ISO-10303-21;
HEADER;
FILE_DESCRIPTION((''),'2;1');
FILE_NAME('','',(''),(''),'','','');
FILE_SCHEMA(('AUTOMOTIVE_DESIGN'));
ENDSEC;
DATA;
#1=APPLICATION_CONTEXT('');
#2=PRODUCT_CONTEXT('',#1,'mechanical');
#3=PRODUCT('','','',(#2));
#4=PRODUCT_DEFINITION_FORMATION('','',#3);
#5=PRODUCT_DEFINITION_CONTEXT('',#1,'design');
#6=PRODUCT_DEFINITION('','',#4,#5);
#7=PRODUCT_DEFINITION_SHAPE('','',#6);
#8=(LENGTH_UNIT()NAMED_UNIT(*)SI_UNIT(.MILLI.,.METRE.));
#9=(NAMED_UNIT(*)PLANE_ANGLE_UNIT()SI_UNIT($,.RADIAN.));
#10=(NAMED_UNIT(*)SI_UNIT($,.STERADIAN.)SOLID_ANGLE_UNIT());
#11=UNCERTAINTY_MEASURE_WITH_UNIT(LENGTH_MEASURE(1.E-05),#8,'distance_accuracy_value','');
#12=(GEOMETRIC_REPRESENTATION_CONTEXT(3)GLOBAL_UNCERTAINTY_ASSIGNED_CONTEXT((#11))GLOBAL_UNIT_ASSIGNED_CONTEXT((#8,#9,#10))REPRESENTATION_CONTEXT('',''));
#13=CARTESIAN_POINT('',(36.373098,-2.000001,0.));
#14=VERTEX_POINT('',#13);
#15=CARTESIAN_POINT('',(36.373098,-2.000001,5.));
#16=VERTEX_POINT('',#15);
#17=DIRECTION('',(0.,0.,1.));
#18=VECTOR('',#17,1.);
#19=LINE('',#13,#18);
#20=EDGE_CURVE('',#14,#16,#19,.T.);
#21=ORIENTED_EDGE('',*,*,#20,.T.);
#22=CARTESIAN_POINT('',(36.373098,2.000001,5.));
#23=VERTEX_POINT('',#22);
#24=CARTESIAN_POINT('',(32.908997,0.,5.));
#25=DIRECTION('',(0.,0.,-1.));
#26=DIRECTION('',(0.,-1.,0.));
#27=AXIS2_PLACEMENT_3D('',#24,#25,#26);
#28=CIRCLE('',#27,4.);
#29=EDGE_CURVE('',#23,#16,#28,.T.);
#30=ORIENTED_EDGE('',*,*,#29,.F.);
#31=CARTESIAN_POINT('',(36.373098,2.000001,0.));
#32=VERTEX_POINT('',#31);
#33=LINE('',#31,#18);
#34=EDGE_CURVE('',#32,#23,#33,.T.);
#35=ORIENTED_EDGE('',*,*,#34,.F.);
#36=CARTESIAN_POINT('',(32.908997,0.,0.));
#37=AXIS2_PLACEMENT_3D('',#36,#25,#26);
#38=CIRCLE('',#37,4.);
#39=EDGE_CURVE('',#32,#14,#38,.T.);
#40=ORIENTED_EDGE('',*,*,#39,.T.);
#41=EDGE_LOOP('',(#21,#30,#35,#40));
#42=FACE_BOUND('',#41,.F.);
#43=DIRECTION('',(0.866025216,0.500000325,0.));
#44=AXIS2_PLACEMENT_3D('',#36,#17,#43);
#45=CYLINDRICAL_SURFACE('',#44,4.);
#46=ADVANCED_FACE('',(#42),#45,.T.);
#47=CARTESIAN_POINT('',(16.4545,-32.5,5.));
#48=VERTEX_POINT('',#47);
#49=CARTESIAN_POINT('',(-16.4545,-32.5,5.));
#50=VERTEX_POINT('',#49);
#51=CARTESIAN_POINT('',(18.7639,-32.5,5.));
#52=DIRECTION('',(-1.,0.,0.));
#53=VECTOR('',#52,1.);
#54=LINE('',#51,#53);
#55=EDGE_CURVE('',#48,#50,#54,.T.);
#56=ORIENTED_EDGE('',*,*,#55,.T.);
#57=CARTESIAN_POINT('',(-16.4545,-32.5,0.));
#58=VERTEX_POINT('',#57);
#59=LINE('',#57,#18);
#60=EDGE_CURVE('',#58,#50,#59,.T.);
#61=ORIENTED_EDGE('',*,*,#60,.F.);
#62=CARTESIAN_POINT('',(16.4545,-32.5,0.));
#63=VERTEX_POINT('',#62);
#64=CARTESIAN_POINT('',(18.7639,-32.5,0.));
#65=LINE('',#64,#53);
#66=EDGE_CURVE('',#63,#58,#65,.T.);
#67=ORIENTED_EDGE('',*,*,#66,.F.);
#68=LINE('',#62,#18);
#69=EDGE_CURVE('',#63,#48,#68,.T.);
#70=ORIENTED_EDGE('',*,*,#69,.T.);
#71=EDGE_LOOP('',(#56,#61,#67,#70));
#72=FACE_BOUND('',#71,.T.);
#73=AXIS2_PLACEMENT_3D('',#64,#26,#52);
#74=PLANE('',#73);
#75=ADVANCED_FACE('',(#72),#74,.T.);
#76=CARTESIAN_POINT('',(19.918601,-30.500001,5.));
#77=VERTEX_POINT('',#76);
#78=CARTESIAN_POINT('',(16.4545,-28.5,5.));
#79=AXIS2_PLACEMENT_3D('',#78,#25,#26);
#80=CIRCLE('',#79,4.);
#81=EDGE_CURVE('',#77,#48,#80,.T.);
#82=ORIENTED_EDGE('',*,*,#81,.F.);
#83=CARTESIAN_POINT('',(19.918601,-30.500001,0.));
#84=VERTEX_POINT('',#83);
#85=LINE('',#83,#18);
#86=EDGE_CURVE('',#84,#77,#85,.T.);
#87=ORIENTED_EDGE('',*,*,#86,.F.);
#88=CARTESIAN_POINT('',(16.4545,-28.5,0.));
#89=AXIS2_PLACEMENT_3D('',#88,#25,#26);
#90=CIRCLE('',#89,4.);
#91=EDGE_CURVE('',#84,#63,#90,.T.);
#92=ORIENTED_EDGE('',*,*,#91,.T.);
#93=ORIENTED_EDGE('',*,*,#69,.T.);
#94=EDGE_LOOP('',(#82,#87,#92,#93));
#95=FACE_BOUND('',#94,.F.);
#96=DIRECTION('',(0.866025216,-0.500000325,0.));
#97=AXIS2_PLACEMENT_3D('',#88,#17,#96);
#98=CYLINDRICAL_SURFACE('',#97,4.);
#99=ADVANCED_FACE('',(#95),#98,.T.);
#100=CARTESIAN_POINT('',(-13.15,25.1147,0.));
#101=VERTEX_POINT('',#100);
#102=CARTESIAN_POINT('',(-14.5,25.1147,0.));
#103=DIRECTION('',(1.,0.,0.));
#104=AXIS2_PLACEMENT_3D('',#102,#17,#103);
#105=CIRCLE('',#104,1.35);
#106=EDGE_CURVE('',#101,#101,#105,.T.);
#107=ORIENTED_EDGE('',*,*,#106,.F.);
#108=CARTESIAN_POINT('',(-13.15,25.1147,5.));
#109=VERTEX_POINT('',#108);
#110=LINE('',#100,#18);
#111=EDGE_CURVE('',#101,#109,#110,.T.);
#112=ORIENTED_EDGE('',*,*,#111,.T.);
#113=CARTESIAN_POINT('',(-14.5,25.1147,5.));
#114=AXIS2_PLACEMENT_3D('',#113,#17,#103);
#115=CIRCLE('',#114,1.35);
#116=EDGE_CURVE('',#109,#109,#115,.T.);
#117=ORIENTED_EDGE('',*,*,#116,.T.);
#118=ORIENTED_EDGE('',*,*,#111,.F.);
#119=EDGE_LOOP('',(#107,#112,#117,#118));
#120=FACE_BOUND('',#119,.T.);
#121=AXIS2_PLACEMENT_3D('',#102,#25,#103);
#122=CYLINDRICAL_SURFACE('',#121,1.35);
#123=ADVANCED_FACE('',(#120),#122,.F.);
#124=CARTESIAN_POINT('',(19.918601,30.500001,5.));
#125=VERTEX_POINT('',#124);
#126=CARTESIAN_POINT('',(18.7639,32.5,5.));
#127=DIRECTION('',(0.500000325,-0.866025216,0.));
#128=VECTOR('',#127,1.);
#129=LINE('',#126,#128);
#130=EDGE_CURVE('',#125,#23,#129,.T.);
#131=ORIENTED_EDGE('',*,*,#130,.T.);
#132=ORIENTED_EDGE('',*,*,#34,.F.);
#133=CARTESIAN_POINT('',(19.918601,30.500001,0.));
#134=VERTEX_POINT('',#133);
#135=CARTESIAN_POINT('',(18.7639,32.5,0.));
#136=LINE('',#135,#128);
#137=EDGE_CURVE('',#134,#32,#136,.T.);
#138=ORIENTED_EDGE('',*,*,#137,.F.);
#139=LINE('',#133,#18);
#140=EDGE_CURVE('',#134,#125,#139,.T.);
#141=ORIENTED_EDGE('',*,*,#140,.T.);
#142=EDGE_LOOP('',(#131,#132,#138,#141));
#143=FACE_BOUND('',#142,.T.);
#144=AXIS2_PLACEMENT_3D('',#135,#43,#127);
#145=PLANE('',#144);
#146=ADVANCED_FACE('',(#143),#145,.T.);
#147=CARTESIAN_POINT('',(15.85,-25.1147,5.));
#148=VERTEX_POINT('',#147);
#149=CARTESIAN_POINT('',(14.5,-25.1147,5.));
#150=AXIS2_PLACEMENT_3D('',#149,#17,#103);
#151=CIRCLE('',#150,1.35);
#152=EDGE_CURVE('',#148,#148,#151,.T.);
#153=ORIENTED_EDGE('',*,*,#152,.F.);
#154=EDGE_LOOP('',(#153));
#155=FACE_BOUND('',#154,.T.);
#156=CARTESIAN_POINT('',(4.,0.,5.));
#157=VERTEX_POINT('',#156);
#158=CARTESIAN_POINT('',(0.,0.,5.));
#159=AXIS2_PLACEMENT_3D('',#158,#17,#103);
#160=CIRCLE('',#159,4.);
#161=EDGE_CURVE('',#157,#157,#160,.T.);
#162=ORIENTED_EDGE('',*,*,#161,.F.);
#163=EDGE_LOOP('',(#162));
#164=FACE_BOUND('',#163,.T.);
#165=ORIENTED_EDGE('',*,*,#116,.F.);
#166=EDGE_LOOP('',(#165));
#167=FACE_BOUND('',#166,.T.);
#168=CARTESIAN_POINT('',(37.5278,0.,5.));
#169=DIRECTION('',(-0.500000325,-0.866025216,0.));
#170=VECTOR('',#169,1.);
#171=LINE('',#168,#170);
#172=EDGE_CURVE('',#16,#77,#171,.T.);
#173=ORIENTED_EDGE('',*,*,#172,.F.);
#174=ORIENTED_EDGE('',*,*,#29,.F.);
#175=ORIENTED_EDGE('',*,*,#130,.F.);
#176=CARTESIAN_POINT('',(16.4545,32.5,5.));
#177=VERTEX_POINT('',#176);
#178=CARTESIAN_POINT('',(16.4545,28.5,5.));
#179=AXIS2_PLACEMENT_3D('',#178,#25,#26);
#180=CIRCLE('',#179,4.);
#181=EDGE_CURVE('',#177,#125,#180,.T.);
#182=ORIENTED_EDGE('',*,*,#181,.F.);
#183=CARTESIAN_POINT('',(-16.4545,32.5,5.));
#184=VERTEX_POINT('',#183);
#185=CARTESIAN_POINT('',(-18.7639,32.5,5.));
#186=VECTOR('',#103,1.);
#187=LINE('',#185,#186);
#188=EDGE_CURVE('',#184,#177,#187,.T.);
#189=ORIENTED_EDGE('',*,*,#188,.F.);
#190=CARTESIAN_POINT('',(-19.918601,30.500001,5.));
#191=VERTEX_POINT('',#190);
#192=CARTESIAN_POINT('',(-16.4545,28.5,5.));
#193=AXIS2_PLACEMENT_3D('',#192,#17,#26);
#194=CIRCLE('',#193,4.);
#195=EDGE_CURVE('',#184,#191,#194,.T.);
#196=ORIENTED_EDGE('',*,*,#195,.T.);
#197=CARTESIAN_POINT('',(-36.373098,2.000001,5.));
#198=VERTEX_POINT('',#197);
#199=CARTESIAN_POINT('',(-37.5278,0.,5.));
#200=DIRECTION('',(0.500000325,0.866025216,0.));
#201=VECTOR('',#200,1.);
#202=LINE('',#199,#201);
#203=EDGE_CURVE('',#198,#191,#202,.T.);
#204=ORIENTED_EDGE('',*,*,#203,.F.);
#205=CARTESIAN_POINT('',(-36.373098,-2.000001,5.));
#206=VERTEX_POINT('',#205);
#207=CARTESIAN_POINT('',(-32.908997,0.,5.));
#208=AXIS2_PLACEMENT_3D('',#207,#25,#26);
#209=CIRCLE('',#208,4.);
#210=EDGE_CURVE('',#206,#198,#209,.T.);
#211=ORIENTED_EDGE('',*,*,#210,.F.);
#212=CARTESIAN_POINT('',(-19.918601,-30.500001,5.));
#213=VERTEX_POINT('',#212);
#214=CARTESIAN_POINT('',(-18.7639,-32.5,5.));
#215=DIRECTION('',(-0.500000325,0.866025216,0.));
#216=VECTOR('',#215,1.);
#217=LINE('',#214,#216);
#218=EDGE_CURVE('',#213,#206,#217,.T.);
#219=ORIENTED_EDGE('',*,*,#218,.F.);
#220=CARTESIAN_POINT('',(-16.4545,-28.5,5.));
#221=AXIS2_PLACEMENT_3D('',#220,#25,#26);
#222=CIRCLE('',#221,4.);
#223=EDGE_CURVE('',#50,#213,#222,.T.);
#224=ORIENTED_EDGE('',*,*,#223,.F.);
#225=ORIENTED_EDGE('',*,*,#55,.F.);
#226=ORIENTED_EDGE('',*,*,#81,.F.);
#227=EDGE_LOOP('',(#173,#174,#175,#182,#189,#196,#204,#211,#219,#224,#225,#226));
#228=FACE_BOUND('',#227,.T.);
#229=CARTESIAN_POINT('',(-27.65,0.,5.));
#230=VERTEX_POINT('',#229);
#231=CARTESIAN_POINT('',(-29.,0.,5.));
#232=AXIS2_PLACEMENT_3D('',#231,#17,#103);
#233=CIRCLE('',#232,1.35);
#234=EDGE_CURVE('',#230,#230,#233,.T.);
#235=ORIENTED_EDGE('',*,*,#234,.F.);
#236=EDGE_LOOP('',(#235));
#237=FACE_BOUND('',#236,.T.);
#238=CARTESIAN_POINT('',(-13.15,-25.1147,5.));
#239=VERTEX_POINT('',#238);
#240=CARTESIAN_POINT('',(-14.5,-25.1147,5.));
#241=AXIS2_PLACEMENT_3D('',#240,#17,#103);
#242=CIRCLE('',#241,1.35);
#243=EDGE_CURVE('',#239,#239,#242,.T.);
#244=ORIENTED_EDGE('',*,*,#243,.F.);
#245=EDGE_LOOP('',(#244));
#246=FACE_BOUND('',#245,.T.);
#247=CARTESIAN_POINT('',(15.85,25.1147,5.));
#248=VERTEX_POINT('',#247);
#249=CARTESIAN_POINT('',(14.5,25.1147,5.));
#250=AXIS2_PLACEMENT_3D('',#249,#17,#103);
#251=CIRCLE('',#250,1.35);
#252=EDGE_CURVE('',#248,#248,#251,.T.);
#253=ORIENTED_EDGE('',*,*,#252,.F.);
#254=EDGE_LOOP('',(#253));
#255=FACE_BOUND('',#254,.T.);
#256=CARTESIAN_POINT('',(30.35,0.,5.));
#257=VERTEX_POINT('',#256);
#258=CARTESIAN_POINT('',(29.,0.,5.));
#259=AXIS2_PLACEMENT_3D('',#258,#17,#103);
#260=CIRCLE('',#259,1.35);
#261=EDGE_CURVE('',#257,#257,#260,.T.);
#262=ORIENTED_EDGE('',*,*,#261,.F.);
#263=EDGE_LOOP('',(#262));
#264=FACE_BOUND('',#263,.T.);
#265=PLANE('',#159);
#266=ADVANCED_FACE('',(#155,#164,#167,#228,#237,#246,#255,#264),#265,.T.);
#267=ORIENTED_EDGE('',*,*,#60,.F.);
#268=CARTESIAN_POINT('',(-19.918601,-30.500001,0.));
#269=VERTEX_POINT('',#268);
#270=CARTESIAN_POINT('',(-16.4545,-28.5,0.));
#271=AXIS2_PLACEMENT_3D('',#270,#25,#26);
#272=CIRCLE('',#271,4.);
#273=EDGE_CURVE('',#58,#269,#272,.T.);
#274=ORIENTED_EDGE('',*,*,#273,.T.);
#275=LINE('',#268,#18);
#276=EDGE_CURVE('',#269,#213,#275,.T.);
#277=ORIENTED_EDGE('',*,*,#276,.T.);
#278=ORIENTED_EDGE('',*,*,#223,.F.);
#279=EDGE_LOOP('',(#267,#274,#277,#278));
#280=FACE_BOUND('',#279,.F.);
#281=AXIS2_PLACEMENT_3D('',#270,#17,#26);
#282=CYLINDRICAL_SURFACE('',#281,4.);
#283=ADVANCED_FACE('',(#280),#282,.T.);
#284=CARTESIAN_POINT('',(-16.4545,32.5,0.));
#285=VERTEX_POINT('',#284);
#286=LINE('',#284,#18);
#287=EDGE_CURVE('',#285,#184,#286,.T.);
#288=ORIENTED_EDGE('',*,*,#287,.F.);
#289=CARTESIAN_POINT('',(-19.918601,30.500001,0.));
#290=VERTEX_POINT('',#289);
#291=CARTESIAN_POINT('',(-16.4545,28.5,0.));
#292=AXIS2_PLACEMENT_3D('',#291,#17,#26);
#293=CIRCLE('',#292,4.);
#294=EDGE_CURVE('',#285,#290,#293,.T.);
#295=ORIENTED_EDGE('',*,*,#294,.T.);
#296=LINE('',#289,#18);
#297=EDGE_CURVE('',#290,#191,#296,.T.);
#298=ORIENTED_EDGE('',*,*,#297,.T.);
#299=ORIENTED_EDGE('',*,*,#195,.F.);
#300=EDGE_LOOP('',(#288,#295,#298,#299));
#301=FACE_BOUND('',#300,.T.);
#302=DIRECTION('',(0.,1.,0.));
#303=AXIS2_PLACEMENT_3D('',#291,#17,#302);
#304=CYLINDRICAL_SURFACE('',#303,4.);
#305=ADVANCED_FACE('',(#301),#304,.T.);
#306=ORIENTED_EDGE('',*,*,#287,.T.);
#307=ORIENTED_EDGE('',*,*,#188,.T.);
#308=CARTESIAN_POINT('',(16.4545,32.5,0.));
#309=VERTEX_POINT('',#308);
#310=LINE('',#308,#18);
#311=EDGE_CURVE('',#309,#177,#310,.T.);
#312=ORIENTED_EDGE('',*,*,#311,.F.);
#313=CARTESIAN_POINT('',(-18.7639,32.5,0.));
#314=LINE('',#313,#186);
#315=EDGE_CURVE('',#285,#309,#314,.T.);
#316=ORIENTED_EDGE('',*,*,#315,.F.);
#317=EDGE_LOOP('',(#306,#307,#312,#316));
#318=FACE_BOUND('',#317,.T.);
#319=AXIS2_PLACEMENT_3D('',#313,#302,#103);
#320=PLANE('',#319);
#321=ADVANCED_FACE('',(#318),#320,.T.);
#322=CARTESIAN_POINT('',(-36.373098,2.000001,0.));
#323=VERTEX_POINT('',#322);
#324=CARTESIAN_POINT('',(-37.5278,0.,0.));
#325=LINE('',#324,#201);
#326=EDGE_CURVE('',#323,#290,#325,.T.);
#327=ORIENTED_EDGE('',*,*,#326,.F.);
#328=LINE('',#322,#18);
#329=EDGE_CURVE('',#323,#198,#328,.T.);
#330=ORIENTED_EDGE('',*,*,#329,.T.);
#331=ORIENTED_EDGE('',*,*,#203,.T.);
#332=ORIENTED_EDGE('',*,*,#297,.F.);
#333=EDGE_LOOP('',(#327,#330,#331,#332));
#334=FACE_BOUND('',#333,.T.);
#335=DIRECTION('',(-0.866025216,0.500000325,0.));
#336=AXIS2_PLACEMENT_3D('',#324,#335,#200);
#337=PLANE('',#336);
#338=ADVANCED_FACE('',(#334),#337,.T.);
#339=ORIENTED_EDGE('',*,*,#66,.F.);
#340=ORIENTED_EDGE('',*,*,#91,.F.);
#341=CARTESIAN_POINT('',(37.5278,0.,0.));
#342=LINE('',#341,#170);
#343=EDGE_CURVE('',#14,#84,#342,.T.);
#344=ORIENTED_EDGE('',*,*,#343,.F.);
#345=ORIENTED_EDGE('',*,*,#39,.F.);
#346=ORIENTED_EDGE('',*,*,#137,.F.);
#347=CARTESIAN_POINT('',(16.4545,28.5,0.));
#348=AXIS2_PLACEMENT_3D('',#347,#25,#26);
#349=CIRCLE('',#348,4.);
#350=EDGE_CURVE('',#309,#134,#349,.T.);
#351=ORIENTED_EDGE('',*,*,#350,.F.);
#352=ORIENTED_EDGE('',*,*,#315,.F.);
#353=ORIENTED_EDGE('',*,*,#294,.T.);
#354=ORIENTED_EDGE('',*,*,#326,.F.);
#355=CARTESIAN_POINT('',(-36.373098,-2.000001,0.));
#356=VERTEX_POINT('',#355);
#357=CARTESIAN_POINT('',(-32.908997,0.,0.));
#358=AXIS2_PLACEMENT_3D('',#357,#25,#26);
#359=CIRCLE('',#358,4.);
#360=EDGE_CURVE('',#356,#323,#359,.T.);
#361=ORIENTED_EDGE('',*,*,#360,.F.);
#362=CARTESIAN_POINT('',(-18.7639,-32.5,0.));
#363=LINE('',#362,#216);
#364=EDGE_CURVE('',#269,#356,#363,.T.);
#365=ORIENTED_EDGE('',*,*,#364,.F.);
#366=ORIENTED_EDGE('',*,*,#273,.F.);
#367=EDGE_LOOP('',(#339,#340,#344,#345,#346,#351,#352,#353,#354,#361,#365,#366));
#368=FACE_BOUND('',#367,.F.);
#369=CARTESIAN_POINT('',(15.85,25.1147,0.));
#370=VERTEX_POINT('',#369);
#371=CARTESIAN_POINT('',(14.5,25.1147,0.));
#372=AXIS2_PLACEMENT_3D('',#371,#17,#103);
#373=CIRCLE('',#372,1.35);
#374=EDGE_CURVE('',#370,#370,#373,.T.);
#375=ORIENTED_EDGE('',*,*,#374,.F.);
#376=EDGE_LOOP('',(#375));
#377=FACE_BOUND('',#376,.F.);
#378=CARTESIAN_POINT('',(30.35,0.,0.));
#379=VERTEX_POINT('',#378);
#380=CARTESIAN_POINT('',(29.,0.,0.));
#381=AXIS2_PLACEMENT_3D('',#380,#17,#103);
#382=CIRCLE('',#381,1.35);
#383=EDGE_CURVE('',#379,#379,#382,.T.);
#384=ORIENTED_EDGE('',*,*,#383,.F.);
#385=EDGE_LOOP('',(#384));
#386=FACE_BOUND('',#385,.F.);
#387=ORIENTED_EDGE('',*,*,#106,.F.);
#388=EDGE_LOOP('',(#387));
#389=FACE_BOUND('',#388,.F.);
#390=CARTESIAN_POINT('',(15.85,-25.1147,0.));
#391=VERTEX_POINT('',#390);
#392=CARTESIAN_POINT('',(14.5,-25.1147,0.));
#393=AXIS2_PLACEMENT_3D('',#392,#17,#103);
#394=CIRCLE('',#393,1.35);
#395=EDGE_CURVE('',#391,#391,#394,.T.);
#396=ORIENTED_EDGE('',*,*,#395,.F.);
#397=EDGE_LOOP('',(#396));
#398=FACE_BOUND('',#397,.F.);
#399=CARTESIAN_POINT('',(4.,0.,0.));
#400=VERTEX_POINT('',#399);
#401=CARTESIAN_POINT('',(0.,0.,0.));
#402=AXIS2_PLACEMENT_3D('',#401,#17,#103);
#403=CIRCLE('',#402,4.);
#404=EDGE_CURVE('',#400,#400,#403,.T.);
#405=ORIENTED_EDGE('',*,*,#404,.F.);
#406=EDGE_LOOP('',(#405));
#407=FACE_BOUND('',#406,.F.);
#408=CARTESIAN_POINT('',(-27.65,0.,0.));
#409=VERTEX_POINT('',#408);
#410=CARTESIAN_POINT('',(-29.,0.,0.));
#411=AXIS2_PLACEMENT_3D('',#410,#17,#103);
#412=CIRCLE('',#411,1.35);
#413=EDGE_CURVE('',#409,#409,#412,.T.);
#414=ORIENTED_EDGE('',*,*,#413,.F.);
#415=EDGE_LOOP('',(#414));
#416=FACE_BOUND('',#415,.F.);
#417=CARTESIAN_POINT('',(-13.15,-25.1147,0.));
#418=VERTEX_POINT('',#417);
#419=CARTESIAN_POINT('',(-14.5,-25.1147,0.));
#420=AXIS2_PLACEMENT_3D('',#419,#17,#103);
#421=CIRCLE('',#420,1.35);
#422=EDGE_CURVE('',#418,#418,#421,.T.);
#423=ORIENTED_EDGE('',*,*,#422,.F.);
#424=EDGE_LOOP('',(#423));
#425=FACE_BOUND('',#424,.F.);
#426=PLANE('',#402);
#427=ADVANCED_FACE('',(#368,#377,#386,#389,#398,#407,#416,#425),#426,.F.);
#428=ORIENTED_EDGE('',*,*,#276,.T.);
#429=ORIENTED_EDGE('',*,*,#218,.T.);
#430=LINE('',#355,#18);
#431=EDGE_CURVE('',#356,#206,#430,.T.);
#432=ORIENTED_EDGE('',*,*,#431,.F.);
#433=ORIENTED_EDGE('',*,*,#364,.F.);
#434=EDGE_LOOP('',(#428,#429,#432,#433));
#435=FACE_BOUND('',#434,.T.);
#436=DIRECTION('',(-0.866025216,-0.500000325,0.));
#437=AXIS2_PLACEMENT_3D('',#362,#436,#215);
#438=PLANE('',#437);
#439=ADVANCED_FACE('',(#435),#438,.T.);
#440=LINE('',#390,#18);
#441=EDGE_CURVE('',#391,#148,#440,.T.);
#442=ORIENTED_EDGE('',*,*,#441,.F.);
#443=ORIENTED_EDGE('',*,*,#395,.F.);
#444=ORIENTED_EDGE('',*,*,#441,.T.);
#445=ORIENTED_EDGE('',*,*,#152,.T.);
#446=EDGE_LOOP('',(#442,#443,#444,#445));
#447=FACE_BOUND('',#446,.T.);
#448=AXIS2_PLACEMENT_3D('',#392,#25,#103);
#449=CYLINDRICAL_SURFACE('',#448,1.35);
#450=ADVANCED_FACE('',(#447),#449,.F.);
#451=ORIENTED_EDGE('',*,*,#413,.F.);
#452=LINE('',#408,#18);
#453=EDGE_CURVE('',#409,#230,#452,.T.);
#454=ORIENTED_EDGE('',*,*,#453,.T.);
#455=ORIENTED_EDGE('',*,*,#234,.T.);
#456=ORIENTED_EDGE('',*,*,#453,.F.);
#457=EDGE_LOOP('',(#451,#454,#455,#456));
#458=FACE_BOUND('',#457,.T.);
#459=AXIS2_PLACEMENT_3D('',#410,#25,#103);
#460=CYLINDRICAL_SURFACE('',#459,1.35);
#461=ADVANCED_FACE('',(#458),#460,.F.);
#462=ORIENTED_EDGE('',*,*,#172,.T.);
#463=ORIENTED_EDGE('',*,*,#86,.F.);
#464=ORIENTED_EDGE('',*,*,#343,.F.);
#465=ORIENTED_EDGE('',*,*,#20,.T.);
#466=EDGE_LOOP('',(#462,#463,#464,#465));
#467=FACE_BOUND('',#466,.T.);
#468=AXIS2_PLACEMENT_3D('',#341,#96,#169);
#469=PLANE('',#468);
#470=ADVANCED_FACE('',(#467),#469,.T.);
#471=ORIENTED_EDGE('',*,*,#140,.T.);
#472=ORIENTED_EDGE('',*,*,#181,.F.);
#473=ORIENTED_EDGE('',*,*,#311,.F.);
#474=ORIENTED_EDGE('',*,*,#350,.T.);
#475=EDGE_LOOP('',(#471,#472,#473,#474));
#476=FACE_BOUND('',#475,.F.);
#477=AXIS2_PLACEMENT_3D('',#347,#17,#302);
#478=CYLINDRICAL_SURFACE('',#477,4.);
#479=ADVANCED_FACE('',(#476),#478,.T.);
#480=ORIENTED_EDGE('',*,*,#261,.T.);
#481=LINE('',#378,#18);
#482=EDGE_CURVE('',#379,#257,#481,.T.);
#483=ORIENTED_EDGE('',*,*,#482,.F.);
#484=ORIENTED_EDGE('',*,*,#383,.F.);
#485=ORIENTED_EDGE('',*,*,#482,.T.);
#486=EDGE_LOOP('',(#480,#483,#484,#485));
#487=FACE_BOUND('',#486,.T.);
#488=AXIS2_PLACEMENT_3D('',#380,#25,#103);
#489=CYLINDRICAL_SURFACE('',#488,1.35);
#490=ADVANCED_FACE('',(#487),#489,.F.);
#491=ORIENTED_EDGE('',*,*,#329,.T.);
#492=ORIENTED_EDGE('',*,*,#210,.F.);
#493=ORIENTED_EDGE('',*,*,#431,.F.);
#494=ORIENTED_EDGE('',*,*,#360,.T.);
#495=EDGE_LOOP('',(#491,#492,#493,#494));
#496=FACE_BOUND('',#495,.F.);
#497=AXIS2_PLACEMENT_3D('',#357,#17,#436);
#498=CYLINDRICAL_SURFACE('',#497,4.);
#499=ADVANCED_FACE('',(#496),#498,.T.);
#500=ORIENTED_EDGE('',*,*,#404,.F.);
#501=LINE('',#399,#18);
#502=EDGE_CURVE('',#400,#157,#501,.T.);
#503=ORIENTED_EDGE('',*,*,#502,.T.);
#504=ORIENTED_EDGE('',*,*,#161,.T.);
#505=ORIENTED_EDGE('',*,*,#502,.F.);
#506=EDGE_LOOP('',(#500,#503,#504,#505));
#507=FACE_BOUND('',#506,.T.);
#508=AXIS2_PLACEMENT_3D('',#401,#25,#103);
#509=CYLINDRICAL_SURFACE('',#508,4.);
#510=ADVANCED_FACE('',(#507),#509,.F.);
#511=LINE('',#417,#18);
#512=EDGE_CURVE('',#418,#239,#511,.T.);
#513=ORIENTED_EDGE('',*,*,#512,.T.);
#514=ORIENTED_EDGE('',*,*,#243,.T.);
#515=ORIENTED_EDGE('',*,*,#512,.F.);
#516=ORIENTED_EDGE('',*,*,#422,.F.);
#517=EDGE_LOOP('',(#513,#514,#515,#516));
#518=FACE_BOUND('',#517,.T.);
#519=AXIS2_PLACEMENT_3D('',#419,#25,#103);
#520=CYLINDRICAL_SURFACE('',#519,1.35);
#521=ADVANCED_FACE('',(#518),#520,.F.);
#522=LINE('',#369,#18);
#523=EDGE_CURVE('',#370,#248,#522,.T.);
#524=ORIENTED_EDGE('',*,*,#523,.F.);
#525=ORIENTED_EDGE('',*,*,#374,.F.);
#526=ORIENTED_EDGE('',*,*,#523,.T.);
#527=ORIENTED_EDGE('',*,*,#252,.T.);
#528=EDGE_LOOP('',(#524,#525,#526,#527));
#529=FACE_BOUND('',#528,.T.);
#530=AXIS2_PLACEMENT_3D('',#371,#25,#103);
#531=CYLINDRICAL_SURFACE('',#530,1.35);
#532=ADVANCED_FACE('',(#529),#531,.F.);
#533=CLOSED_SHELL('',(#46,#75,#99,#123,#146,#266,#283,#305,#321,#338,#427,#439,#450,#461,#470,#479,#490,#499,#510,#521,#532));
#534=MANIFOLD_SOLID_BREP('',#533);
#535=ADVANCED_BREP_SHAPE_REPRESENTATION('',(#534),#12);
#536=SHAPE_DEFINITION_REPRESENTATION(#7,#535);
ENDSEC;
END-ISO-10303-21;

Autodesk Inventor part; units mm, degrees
ref_plane "YZ Plane" through (0, 0, 0) normal (1, 0, 0) x (0, 1, 0)
ref_plane "XZ Plane" through (0, 0, 0) normal (0, 1, 0) x (-1, 0, 0)
ref_plane "XY Plane" through (0, 0, 0) normal (0, 0, 1) x (1, 0, 0)
sketch "Sketch1" plane through (0, 0, 0) normal (0, 0, 1) x (1, 0, 0)
  line L0 (-14.5, 25.1147) -> (14.5, 25.1147) construction
  line L1 (14.5, 25.1147) -> (29, 0) construction
  line L2 (29, 0) -> (14.5, -25.1147) construction
  line L3 (14.5, -25.1147) -> (-14.5, -25.1147) construction
  line L4 (-14.5, -25.1147) -> (-29, 0) construction
  line L5 (-29, 0) -> (-14.5, 25.1147) construction
  line L6 (-18.7639, 32.5) -> (18.7639, 32.5)
  line L7 (18.7639, 32.5) -> (37.5278, 0)
  line L8 (37.5278, 0) -> (18.7639, -32.5)
  line L9 (18.7639, -32.5) -> (-18.7639, -32.5)
  line L10 (-18.7639, -32.5) -> (-37.5278, 0)
  line L11 (-37.5278, 0) -> (-18.7639, 32.5)
  circle A0 centre (-14.5, 25.1147) radius 11 construction
  circle A1 centre (14.5, 25.1147) radius 11 construction
  circle A2 centre (29, 0) radius 11 construction
  circle A3 centre (14.5, -25.1147) radius 11 construction
  circle A4 centre (-14.5, -25.1147) radius 11 construction
  circle A5 centre (-29, 0) radius 11 construction
  circle A6 centre (-14.5, 25.1147) radius 1.35
  circle A7 centre (14.5, 25.1147) radius 1.35
  circle A8 centre (29, 0) radius 1.35
  circle A9 centre (14.5, -25.1147) radius 1.35
  circle A10 centre (-14.5, -25.1147) radius 1.35
  circle A11 centre (-29, 0) radius 1.35
  circle A12 centre (0, 0) radius 4
  circle A13 centre (0, 0) radius 40 construction
  dimension "d0" = 22
  dimension "d1" = 50.2295
  dimension "d2" = 2.7
  dimension "d3" = 65
  dimension "d4" = 8
  dimension "d8" = 80
extrude "Extrusion1" add sketch "Sketch1" along normal blind 5
fillet "Fillet1" radius 4 6 edges at (37.5278, 0, 2.5) (18.7639, -32.5, 2.5) (-18.7639, -32.5, 2.5) (-37.5278, 0, 2.5) (-18.7639, 32.5, 2.5) (18.7639, 32.5, 2.5)
properties part number "rotor 1"
